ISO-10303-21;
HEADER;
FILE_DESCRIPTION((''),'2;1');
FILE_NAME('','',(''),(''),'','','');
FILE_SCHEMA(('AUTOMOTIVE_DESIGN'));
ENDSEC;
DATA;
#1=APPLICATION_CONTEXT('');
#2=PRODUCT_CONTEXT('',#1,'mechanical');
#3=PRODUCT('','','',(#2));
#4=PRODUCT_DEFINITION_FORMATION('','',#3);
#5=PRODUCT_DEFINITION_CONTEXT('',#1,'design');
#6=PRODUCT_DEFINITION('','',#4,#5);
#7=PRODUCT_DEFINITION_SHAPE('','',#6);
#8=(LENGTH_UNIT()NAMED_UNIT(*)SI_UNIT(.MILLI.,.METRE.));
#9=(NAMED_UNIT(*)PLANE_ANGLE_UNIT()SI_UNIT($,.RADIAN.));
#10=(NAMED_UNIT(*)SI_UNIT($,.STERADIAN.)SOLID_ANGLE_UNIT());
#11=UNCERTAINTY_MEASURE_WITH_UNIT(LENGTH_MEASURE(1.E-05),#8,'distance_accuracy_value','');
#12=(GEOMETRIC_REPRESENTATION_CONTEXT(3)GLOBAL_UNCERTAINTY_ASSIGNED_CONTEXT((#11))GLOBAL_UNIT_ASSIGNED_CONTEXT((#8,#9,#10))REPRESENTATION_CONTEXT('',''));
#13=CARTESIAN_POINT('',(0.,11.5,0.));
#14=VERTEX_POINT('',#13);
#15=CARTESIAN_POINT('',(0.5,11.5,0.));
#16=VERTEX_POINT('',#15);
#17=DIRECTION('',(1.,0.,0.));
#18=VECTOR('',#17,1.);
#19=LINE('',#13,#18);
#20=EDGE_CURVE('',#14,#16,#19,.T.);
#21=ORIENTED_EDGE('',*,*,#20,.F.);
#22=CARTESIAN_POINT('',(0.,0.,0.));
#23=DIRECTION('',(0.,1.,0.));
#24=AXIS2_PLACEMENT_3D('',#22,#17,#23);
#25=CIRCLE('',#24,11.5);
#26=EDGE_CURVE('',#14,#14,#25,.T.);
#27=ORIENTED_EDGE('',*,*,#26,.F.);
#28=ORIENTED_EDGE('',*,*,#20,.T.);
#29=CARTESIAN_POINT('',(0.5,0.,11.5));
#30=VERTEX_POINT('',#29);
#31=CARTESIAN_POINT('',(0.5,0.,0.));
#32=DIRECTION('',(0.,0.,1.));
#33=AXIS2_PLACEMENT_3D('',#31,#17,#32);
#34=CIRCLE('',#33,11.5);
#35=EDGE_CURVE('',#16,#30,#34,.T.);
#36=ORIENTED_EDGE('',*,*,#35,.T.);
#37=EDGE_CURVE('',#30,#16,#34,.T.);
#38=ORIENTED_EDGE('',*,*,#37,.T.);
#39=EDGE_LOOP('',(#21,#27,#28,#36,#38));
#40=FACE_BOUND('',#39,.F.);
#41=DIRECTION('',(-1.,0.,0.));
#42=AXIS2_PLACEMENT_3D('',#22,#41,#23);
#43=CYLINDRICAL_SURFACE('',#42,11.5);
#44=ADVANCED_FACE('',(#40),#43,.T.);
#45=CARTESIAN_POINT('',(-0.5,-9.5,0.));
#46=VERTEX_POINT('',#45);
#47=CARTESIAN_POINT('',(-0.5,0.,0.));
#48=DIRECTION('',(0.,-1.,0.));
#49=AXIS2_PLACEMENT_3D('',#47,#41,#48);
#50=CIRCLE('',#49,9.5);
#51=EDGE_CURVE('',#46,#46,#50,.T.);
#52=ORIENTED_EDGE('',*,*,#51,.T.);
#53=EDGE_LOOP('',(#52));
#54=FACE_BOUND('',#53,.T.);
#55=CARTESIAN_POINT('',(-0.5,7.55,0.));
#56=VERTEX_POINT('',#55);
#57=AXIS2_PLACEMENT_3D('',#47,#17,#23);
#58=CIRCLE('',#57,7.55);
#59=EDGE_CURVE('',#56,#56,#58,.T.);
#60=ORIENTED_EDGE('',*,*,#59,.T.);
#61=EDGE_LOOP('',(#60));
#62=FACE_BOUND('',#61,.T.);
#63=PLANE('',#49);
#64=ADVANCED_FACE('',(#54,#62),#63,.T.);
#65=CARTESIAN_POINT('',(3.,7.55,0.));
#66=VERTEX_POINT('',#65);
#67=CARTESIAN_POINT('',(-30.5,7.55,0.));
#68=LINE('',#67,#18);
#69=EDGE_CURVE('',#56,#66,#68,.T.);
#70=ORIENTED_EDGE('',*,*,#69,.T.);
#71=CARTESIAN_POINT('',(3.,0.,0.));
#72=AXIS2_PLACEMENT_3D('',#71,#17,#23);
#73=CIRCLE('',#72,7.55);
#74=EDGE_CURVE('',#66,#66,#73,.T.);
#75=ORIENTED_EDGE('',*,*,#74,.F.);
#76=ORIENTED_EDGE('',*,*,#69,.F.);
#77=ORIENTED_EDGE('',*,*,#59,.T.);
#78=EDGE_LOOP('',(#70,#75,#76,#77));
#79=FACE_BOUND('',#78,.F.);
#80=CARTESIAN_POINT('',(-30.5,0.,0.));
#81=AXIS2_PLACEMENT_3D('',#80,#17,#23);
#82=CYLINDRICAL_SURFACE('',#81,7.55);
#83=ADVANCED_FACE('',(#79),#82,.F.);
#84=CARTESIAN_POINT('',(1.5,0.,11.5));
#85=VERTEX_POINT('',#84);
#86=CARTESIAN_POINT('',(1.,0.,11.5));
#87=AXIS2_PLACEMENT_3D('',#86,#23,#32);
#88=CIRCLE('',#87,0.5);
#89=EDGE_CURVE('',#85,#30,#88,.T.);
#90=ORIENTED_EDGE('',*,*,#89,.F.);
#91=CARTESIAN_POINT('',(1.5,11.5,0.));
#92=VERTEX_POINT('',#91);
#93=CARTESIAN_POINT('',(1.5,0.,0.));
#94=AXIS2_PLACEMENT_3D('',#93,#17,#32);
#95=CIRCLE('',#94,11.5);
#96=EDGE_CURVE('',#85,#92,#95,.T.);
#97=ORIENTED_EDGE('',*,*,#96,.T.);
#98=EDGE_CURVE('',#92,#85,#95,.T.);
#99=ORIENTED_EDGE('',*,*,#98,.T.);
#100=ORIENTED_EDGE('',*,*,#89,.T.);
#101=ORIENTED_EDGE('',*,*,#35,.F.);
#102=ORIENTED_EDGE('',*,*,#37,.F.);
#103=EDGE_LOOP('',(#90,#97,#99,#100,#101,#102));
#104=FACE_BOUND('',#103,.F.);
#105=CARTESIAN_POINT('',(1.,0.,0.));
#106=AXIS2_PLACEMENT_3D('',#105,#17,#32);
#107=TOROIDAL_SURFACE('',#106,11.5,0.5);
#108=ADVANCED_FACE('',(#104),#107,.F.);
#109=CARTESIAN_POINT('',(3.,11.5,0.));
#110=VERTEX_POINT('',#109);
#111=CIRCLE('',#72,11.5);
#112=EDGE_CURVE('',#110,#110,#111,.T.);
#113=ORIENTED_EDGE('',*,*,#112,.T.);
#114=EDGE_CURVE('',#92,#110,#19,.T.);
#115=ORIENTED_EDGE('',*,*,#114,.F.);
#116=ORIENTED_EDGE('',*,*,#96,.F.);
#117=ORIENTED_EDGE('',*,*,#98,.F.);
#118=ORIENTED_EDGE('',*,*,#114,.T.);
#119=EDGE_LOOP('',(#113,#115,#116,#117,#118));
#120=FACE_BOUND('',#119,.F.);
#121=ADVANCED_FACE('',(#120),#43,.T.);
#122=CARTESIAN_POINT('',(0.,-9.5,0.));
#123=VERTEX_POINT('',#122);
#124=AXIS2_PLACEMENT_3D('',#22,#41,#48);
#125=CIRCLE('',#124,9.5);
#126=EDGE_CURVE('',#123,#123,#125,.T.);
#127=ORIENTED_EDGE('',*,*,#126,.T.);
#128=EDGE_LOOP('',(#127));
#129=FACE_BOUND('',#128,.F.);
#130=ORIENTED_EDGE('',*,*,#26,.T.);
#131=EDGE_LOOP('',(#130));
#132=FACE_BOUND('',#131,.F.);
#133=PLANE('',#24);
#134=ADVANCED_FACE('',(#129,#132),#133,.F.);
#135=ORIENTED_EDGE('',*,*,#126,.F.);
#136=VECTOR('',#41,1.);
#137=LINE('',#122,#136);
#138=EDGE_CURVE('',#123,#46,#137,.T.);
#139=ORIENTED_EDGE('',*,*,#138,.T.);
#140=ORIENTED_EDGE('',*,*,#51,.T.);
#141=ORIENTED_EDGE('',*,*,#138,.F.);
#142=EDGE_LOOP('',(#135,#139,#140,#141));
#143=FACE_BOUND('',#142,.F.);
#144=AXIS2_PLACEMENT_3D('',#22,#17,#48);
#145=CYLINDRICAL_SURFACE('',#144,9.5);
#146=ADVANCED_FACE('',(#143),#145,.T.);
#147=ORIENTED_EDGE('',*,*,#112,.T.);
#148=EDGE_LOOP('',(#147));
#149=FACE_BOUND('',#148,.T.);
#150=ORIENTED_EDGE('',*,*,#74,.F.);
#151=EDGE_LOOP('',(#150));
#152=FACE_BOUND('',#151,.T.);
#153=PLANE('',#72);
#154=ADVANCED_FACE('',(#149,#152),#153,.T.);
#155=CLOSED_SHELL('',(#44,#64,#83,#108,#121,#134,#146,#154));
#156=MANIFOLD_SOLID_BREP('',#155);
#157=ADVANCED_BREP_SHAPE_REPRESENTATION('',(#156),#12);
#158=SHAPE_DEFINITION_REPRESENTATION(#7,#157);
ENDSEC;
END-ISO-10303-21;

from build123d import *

# Parameters (mm, degrees)
F0_R     = 11.5
F1_DEPTH = 3
F2_R     = 9.5
F3_DEPTH = 0.5
F5_D     = 15.1
F5_DEPTH = 30
F5_TIP   = 4.5364976737
F6_R     = 0.5


with BuildPart() as f1:
    # F0 (on Right) → F1 (new body)
    with BuildSketch(Plane.YZ):
        Circle(F0_R)
    extrude(amount=F1_DEPTH)

    # F2 (on face) → F3 (join)
    with BuildSketch(Plane(origin=(0, 0, 0), x_dir=(0, -1, 0), z_dir=(-1, 0, 0))):
        Circle(F2_R)
    extrude(amount=F3_DEPTH)

    # F5
    with Locations(Plane(origin=(-0.5, 0, 0), x_dir=(0, -1, 0), z_dir=(-1, 0, 0))):
        with Locations((0, 0)):
            Hole(F5_D / 2, depth=F5_DEPTH)
            with Locations((0, 0, -(F5_DEPTH + F5_TIP / 2))):  # 118° drill point
                Cone(0, F5_D / 2, F5_TIP, mode=Mode.SUBTRACT)

    # F7: sweep along a path in F7_path
    with BuildLine(Plane(origin=(0, 11.5, 0), x_dir=(0, 0, 1), z_dir=(1, 0, 0))) as f7_path:
        CenterArc((0, 11.5), 11.5, 0, 360)
    # F6 (on Front) → F7 (sweep, cut)
    with BuildSketch(Plane.XZ):
        with Locations((1, -11.5)):
            Circle(F6_R)
    sweep(path=f7_path.line, mode=Mode.SUBTRACT)


solid = f1.part
